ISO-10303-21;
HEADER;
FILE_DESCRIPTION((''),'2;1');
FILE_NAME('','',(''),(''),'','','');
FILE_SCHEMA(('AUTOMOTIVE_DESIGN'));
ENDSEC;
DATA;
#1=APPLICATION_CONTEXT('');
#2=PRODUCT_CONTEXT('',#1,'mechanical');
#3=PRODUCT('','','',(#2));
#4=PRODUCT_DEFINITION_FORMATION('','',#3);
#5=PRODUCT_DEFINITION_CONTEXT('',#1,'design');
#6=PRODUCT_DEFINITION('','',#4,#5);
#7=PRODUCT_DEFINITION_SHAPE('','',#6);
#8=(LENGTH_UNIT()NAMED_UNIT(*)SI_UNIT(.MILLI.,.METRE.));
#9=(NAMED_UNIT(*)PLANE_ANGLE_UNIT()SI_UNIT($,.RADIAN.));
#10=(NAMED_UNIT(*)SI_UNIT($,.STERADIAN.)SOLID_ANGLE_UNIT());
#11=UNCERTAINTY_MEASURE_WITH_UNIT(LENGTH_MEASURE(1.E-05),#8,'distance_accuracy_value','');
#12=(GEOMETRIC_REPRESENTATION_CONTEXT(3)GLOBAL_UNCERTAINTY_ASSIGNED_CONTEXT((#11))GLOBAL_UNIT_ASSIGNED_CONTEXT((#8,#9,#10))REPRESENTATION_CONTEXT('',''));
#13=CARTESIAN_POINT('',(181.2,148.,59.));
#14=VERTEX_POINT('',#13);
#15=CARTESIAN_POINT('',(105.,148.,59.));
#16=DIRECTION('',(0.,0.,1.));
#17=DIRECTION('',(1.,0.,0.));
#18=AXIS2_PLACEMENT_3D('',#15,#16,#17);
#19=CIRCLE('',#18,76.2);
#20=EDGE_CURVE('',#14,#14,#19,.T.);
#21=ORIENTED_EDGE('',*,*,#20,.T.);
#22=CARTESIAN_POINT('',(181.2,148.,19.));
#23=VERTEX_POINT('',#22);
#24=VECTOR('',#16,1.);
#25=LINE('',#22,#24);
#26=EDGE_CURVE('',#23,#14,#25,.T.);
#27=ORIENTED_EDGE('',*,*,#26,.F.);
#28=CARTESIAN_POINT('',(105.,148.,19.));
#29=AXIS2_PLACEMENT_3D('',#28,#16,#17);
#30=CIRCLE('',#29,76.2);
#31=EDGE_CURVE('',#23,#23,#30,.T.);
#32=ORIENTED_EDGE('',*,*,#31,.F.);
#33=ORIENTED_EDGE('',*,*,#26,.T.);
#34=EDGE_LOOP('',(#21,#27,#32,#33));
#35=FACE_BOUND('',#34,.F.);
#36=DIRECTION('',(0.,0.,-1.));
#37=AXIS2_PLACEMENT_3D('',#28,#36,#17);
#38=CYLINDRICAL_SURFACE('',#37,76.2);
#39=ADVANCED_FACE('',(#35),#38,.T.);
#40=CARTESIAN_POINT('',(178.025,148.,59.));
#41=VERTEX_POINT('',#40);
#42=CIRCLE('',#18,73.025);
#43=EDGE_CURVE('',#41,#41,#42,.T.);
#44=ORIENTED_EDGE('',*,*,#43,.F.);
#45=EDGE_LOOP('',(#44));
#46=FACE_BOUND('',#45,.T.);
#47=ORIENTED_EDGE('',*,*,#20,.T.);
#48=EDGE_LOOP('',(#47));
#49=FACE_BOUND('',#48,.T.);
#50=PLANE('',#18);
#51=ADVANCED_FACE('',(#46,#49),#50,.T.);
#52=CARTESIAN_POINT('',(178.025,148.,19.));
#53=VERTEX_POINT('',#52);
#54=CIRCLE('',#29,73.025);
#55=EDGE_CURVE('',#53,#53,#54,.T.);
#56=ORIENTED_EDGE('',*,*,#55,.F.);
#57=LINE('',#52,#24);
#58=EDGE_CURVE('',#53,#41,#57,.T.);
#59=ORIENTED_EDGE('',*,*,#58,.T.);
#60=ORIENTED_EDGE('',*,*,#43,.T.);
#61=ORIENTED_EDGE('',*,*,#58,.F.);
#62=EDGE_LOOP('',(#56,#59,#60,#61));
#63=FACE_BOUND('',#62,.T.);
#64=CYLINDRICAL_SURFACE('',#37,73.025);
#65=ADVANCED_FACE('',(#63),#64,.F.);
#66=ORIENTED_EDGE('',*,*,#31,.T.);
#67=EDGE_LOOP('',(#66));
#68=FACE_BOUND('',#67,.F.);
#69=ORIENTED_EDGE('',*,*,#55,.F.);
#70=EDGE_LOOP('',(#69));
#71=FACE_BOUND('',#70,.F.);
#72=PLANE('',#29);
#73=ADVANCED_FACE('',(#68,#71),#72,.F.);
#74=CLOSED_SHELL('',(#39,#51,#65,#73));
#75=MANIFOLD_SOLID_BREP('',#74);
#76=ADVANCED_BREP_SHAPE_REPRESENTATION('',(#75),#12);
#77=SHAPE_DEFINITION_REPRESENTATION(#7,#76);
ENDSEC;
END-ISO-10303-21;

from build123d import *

# Parameters (mm, degrees)
CYLINDER008_R     = 73.025
CYLINDER008_DEPTH = 40
CYLINDER002_R     = 76.2
CYLINDER002_DEPTH = 40


with BuildPart() as chamberwall001:
    # Cylinder008 → Cylinder008 (new body)
    with BuildSketch(Plane(origin=(105, 148, 0), x_dir=(1, 0, 0), z_dir=(0, 0, 1))):
        Circle(CYLINDER008_R)
    extrude(amount=CYLINDER008_DEPTH)


with BuildPart() as chamberwall002:
    # Cylinder002 → Cylinder002 (new body)
    with BuildSketch(Plane(origin=(105, 148, 0), x_dir=(1, 0, 0), z_dir=(0, 0, 1))):
        Circle(CYLINDER002_R)
    extrude(amount=CYLINDER002_DEPTH)

    # Cut: cut ChamberWall001
    add(chamberwall001.part, mode=Mode.SUBTRACT)


with BuildPart() as chamberwall002_1:
    # Cut placement: moved
    add(chamberwall002.part.moved(Location((0, 0, 19))))


solid = chamberwall002_1.part
